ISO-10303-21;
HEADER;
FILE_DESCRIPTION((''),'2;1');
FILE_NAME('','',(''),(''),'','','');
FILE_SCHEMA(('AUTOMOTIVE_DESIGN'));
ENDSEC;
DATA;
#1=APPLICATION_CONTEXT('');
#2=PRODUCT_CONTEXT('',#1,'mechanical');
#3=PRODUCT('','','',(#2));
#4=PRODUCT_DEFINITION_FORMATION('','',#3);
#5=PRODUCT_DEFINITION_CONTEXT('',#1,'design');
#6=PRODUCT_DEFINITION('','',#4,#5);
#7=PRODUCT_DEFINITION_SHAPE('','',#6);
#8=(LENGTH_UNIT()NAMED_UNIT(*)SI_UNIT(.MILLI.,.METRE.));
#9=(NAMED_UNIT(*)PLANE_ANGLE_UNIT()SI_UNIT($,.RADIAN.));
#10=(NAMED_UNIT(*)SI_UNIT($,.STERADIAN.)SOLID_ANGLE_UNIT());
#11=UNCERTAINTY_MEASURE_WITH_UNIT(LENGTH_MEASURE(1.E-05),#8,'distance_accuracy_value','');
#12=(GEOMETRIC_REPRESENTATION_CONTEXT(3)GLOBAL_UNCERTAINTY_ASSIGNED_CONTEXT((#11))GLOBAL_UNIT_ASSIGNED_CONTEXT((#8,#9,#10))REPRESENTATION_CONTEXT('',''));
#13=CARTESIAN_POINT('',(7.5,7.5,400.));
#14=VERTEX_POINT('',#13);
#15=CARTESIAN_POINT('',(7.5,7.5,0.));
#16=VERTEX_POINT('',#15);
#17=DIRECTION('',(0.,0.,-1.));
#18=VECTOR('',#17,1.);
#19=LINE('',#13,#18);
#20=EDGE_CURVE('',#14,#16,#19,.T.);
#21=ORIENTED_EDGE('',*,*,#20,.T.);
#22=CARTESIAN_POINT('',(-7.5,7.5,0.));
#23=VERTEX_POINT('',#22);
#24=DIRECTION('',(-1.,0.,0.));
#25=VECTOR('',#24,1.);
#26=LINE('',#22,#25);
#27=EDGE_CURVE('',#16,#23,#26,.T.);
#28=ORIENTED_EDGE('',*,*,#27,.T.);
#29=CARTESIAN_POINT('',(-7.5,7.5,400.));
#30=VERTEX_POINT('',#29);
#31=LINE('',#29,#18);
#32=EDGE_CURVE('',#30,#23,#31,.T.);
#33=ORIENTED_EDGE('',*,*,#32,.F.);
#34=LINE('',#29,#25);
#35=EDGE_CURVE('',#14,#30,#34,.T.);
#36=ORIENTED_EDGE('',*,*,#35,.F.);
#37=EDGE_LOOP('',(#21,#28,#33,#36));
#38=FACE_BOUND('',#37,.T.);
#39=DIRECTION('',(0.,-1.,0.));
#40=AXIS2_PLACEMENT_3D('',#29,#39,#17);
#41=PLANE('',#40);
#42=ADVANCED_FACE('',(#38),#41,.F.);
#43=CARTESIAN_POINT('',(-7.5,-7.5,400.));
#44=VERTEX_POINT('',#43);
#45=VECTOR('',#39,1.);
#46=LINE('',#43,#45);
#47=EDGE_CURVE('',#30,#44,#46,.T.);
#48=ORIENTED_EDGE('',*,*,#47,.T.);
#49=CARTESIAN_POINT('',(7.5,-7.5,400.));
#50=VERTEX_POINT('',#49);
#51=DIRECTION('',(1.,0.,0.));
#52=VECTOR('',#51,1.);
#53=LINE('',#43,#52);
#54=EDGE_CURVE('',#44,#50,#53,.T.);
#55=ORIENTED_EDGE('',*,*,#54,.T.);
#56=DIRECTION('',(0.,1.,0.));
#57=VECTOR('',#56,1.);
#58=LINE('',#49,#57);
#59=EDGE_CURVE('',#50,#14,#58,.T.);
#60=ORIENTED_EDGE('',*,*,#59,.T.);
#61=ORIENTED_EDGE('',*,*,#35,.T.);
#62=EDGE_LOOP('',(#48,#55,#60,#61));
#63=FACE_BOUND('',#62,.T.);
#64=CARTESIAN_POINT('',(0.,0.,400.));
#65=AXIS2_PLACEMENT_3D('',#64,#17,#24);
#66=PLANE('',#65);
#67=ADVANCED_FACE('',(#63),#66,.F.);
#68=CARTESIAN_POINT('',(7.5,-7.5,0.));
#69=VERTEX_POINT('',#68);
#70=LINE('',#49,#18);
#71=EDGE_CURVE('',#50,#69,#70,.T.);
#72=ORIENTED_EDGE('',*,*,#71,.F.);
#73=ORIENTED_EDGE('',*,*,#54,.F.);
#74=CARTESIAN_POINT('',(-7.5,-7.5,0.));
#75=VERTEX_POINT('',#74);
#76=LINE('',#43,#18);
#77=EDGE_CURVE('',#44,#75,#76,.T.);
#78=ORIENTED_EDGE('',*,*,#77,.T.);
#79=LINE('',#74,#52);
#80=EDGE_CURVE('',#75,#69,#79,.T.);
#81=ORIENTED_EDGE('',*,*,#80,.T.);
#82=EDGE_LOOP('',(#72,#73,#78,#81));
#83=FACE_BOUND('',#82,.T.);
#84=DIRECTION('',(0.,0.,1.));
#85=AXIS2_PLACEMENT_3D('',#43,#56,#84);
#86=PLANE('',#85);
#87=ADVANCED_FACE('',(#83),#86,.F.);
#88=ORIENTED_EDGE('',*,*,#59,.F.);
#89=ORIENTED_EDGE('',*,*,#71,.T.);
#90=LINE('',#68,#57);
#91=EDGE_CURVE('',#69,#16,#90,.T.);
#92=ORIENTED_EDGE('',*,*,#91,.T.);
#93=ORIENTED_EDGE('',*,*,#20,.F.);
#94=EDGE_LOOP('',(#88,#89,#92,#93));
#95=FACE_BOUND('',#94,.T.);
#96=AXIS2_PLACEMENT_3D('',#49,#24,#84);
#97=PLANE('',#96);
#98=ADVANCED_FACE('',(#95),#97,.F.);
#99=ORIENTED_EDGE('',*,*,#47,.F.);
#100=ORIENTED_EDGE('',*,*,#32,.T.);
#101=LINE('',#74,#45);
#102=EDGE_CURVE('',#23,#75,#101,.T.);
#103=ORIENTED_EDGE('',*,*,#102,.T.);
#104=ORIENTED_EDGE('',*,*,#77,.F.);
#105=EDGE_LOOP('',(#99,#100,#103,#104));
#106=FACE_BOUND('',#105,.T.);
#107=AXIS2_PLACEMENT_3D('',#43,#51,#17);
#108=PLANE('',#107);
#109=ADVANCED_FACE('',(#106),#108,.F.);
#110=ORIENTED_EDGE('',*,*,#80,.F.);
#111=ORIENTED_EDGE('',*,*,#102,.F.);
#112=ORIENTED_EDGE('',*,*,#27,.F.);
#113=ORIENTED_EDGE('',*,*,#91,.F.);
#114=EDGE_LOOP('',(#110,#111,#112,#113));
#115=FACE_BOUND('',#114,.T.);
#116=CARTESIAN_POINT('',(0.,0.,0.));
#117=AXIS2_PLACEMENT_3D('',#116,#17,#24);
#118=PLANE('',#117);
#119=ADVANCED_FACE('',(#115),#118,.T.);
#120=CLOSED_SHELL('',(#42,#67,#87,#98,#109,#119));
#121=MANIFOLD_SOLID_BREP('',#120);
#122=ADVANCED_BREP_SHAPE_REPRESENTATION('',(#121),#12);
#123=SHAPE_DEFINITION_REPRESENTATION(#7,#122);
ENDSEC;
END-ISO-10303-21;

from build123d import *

# Parameters (mm, degrees)
SKETCH_1_W      = 15
SKETCH_1_H      = 15
EXTRUDE_1_DEPTH = 400


with BuildPart() as part:
    # 草图1 → 凸台-拉伸1 (new body)
    with BuildSketch(Plane.XY):
        Rectangle(SKETCH_1_W, SKETCH_1_H)
    extrude(amount=EXTRUDE_1_DEPTH)


solid = part.part
